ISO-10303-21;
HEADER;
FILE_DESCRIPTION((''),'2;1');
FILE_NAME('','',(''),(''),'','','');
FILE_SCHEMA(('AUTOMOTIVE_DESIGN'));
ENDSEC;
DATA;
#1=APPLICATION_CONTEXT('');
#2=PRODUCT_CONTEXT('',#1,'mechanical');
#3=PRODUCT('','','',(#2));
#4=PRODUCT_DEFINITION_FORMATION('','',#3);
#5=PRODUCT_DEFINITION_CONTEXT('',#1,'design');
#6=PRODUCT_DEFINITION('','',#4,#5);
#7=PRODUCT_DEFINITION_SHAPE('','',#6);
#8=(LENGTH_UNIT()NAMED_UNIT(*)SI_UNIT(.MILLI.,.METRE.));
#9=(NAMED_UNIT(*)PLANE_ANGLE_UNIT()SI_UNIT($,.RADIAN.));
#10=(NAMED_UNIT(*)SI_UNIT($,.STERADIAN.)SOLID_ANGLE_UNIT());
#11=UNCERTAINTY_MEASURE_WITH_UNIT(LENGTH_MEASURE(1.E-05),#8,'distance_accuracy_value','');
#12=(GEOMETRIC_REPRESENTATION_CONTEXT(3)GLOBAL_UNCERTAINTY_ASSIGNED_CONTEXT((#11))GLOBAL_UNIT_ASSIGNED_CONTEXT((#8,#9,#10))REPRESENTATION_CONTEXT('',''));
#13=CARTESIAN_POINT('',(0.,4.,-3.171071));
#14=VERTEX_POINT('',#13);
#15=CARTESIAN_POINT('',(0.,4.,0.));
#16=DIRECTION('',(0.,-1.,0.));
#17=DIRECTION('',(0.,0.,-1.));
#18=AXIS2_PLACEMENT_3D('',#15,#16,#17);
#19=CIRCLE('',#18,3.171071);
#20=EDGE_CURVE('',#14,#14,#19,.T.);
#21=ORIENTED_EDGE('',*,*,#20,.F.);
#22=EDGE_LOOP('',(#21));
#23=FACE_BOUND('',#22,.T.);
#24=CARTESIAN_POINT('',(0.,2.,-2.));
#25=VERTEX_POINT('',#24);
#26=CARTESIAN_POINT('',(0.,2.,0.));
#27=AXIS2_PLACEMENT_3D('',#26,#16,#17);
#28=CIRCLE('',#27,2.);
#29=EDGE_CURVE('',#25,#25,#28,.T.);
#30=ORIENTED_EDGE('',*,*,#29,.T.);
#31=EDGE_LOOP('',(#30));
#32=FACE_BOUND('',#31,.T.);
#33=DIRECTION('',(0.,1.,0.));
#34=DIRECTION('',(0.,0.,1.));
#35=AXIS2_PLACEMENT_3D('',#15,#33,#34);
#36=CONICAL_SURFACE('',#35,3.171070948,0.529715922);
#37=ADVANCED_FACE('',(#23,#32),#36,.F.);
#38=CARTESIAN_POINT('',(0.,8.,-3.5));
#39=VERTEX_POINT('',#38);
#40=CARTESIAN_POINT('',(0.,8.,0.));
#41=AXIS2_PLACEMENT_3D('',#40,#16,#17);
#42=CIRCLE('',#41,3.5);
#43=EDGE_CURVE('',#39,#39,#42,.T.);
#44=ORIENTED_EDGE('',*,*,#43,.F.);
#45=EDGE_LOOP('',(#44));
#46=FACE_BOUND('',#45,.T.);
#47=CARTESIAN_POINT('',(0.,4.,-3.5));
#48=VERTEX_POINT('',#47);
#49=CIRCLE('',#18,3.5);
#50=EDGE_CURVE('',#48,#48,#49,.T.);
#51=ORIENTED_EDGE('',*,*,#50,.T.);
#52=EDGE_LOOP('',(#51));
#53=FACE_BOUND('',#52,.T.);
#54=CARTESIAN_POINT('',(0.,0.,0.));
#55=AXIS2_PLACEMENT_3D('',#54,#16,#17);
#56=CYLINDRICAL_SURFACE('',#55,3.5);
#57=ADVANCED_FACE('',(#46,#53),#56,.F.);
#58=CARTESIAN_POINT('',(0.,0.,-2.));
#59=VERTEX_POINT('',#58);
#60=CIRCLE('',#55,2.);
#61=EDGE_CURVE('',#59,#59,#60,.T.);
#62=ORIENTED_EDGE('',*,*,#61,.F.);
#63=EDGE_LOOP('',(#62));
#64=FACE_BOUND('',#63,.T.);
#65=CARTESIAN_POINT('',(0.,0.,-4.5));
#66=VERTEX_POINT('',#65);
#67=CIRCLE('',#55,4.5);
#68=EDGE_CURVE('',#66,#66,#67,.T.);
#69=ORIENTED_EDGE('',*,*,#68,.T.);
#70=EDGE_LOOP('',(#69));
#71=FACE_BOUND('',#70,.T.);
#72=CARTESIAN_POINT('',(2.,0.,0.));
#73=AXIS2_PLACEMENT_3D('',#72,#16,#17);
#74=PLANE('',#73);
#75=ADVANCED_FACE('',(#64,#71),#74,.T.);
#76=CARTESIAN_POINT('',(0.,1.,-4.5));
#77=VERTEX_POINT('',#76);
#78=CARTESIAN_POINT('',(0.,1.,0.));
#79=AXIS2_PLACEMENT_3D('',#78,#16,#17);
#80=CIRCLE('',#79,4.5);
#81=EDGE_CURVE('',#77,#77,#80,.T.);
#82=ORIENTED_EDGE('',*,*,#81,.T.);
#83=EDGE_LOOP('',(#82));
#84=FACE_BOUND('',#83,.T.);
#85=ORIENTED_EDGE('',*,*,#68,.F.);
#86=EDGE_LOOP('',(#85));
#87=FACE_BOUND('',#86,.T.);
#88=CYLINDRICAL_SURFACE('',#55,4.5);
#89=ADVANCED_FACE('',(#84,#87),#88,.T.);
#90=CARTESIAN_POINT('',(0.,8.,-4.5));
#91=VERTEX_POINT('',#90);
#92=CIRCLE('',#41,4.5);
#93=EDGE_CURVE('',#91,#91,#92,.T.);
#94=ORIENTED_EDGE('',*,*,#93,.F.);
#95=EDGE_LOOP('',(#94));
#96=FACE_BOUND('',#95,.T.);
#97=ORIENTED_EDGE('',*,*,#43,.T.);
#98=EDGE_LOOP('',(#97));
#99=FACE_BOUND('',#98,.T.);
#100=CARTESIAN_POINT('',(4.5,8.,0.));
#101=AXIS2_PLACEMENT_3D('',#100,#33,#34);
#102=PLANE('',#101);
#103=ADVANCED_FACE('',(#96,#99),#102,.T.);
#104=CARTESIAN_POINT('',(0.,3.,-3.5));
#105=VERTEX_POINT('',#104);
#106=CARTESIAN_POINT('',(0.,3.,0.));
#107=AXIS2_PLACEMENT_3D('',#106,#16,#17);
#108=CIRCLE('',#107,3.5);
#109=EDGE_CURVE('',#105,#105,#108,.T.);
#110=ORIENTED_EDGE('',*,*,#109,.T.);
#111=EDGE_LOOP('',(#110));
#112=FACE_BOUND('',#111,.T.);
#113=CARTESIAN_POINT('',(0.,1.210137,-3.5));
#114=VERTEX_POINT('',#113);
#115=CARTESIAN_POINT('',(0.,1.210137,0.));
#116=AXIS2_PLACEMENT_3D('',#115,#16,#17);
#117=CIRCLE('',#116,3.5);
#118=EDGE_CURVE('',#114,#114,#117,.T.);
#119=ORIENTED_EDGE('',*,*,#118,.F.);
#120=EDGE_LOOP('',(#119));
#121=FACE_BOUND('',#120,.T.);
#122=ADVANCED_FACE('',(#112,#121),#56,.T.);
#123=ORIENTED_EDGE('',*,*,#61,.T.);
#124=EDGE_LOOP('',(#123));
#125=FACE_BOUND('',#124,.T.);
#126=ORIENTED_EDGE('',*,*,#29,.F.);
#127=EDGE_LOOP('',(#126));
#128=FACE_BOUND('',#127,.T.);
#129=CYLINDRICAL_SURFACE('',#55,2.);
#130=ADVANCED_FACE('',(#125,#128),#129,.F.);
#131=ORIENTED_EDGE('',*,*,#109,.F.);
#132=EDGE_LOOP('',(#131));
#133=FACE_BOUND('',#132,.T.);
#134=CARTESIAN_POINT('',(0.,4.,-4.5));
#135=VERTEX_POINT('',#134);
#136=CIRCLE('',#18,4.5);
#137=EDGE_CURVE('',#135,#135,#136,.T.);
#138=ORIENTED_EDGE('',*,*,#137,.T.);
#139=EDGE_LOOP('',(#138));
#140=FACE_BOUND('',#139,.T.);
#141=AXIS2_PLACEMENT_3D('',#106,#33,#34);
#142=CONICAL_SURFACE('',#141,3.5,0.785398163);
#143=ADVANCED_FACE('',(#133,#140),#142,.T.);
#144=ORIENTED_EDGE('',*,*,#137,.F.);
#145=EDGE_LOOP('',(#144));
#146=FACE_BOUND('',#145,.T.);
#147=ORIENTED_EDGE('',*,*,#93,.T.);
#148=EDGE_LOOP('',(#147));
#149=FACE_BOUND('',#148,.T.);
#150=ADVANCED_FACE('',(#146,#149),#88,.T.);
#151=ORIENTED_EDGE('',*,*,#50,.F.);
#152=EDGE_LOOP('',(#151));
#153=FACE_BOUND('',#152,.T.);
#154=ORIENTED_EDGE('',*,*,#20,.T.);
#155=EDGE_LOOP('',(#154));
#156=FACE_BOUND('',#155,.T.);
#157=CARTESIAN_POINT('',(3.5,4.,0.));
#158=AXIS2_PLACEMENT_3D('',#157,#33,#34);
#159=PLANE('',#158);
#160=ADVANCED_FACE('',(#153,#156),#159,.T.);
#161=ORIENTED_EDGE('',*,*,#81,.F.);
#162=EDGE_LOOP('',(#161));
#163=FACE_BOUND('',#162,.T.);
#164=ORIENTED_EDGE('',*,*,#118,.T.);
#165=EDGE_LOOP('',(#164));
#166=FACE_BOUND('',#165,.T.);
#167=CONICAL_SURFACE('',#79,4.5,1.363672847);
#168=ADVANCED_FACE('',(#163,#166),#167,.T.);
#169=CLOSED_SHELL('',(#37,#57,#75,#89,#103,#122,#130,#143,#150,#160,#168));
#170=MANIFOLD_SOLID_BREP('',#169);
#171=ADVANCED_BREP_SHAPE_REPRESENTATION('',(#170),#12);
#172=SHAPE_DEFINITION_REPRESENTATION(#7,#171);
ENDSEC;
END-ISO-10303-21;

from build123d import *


with BuildPart() as part:
    # Sketch1 → Revolve1 (revolve)
    with BuildSketch(Plane.XY, mode=Mode.PRIVATE) as revolve1_sk:
        Polygon((2, 0), (4.5, 0), (4.5, 1), (3.5, 1.21013708), (3.5, 3), (4.5, 4), (4.5, 8), (3.5, 8), (3.5, 4), (3.171070948, 4), (2, 2), align=None)
    revolve(revolve1_sk.sketch.rotate(Axis((0, 0, 0), (0, 1, 0)), 90), axis=Axis((0, 0, 0), (0, 1, 0)))


solid = part.part
